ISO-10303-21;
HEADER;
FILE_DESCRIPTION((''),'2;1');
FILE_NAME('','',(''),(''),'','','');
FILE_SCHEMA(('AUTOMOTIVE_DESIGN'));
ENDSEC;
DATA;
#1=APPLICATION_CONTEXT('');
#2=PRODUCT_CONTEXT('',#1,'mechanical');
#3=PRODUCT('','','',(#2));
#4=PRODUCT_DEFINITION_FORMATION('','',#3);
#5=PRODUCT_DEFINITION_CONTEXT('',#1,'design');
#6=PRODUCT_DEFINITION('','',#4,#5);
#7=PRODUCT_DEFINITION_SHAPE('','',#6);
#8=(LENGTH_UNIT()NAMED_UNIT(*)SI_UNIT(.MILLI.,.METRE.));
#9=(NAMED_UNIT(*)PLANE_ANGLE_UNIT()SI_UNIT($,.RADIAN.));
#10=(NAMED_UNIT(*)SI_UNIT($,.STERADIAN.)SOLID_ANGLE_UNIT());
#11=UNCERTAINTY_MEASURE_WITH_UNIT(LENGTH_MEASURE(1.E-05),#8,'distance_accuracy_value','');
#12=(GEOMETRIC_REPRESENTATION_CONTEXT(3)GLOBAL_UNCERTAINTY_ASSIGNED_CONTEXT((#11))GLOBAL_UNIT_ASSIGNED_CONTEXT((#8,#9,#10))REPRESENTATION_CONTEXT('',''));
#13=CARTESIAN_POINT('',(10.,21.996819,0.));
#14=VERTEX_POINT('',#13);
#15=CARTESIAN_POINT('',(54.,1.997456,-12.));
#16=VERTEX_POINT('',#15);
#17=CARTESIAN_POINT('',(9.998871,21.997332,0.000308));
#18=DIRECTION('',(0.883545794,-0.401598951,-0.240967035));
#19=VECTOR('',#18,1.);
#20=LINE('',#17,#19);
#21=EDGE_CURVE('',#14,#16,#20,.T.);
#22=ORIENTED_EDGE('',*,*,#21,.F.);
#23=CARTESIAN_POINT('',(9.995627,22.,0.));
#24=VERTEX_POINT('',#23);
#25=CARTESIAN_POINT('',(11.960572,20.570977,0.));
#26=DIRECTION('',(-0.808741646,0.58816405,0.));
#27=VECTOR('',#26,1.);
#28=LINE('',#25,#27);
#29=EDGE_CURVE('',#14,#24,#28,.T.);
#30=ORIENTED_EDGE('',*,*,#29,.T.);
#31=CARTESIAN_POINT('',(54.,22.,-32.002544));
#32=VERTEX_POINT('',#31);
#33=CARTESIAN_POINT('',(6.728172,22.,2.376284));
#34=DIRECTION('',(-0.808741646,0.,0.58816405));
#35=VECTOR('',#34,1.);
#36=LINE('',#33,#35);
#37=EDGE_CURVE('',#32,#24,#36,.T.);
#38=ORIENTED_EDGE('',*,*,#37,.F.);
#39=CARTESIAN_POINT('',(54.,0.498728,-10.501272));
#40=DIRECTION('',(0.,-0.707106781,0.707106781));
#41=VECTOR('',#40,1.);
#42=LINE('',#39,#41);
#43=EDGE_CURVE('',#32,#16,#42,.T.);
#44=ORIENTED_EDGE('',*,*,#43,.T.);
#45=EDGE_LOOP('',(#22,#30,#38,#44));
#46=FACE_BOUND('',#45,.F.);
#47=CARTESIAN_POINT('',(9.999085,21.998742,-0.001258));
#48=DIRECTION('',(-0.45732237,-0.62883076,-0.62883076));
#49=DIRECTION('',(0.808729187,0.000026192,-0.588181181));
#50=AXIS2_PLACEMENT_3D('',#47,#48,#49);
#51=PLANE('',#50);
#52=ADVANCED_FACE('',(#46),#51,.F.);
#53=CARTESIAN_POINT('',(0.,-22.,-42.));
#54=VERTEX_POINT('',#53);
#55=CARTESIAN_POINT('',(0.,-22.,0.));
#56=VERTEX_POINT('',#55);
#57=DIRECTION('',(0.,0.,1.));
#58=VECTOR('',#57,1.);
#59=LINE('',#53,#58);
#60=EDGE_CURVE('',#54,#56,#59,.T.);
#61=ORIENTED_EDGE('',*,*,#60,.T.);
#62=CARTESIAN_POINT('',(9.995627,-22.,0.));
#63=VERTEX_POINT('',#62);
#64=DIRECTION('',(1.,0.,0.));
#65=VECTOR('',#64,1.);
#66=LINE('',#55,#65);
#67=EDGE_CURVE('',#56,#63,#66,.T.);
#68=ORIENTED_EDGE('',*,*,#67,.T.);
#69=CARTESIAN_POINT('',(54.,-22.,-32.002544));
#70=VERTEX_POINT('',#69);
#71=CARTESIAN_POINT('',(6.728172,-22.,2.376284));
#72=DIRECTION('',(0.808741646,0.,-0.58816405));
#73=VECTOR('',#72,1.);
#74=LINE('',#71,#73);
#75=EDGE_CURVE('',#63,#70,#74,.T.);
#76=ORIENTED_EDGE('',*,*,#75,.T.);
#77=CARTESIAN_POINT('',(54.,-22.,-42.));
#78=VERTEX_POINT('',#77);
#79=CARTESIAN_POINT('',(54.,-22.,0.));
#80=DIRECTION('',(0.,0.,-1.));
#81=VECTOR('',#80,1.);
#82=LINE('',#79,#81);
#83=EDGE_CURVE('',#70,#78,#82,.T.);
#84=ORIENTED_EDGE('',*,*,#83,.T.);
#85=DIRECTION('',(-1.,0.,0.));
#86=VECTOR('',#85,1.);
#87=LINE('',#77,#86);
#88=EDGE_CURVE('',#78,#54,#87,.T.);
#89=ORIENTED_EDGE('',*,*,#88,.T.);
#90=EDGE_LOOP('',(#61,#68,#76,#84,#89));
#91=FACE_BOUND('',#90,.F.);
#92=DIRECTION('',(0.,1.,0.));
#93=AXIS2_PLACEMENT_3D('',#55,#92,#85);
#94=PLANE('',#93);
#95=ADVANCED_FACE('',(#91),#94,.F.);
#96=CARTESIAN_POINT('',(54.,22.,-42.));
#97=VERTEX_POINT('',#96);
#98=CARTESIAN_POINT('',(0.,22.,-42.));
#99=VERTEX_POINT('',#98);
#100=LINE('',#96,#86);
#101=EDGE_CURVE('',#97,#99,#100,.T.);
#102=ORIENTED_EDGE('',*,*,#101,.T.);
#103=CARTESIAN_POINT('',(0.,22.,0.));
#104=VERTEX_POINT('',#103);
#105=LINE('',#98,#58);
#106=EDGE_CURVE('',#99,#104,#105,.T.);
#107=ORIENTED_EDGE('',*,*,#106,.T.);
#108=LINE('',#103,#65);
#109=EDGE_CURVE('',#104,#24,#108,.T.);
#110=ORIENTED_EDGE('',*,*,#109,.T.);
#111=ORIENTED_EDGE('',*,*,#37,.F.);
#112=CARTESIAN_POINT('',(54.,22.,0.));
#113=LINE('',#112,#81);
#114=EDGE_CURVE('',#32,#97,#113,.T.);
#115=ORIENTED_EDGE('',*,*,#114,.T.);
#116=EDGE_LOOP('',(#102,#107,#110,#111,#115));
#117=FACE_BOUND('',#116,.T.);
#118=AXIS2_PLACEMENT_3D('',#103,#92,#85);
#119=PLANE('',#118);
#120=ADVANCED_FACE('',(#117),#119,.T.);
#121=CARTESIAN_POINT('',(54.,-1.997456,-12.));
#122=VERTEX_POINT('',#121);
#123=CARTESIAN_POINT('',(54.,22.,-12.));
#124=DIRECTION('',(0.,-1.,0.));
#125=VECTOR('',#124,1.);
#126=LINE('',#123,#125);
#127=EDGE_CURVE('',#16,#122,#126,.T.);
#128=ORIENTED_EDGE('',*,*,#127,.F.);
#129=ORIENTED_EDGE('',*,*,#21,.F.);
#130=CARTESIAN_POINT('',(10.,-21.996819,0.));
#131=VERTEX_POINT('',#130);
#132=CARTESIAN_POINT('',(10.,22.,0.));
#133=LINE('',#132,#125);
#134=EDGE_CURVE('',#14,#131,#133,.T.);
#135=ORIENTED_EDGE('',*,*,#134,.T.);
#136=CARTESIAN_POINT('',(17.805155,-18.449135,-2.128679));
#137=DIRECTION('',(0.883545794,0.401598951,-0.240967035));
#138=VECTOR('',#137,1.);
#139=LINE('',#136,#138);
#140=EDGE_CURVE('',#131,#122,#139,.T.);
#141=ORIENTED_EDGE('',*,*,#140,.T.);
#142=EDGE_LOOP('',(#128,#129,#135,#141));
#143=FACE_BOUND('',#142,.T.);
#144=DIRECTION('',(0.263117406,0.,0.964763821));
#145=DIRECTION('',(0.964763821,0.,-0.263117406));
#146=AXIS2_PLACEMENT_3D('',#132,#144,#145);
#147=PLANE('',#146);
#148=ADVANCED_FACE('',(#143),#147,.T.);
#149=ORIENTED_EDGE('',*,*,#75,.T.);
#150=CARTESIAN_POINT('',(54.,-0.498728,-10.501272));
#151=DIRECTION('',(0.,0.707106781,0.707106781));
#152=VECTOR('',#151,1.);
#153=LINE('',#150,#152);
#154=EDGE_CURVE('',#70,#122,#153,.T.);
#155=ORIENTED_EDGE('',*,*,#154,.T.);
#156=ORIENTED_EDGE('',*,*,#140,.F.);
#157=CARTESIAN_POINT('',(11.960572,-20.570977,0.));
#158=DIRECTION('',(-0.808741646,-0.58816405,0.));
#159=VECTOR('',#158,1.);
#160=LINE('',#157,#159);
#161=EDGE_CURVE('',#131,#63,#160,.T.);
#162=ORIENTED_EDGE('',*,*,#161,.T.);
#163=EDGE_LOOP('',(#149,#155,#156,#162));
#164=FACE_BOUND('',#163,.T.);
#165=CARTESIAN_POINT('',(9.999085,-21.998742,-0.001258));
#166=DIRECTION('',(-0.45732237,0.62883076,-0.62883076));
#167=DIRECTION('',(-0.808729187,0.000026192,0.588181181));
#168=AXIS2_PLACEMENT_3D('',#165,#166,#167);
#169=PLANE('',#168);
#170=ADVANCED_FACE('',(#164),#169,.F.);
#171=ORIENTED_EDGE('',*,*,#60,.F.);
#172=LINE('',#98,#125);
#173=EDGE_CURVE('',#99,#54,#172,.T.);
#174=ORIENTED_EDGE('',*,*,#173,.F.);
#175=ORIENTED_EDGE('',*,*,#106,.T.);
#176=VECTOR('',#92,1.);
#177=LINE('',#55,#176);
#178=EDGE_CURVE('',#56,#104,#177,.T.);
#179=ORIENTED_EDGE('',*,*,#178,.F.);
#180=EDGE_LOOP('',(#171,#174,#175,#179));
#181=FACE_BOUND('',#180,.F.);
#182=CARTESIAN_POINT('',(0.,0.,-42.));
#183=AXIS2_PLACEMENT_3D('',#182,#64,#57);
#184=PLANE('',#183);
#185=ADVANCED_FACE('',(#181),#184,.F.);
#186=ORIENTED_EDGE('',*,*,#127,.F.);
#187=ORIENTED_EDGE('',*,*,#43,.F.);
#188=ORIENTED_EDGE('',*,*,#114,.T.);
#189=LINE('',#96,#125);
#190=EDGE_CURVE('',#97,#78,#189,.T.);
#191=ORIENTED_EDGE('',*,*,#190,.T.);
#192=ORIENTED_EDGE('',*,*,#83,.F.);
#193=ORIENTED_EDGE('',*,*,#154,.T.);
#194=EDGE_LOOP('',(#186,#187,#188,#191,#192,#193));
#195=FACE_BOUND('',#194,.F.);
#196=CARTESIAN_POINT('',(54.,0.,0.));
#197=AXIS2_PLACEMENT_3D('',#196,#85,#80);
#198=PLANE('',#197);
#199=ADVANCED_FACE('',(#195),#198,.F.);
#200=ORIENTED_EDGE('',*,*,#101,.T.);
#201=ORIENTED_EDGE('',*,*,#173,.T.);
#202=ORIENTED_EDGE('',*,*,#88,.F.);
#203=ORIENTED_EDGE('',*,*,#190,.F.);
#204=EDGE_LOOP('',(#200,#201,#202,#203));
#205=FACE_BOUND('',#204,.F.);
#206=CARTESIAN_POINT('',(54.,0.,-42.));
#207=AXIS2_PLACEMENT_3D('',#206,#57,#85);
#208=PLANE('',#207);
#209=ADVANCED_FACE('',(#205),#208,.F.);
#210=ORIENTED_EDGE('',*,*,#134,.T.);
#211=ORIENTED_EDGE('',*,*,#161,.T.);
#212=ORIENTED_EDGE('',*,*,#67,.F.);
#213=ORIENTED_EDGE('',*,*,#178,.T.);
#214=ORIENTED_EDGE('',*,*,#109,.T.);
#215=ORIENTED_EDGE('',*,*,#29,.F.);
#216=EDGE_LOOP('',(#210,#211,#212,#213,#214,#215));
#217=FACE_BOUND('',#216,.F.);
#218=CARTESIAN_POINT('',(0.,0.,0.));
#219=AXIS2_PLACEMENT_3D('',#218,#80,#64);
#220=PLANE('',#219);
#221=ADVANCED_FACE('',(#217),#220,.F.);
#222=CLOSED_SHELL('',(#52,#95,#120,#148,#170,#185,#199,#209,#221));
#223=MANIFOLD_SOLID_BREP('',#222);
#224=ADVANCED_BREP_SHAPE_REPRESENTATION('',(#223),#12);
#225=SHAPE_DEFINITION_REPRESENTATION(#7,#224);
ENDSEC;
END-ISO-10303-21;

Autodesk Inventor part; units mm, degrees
ref_plane "YZ Plane" through (0, 0, 0) normal (1, 0, 0) x (0, 1, 0)
ref_plane "XZ Plane" through (0, 0, 0) normal (0, 1, 0) x (-1, 0, 0)
sketch "草圖1" plane through (0, 0, 0) normal (0, 1, 0) x (-1, 0, 0)
  line L0 (0, 0) -> (-54, 0)
  line L1 (-54, 0) -> (-54, -42)
  line L2 (-54, -42) -> (0, -42)
  line L3 (0, -42) -> (0, 0)
  dimension "d0" = 54
  dimension "d1" = 42
extrude "擠出1" add sketch "草圖1" along normal mid plane 44
sketch "草圖2" plane through (0, 22, 0) normal (0, 1, 0) x (1, 0, 0)
  line L0 (0, 0) -> (54, 0) projected
  line L1 (10, 0) -> (54, 12)
  line L2 (54, 0) -> (54, 42) projected
  dimension "d4" = 10
  dimension "d5" = 30
extrude "擠出2" cut sketch "草圖2" against normal blind 60
sketch "草圖3" plane through (54, -22, -42) normal (1, 0, 0) x (0, 0, -1)
  line L0 (-30, 24) -> (-10, 44)
  line L1 (0, 44) -> (-42, 44) projected
  line L2 (-30, 44) -> (-30, 0) projected
  point P0 (-42, 22)
  point P1 (-30, 2)
  dimension "d8" = 20
  dimension "d9" = 20
ref_plane "工作平面1" through (10, 22, 0) normal (-0.4573, -0.6288, -0.6288) x (0.8087, 0, -0.5882)
sketch "草圖4" plane through (10, 22, 0) normal (-0.4573, -0.6288, -0.6288) x (0.8087, 0, -0.5882)
  line L0 (-15.1543, -12.3218) -> (93.717, -12.3218)
  line L1 (93.717, -12.3218) -> (93.717, 28.8166)
  line L2 (93.717, 28.8166) -> (-15.1543, 28.8166)
  line L3 (-15.1543, 28.8166) -> (-15.1543, -12.3218)
  point P0 (-8.0874, 13.4074)
extrude "擠出3" cut sketch "草圖4" against normal blind 40
mirror "鏡射1" about plane through (0, 0, 0) normal (0, 1, 0) of "擠出3"
properties part number "57"
